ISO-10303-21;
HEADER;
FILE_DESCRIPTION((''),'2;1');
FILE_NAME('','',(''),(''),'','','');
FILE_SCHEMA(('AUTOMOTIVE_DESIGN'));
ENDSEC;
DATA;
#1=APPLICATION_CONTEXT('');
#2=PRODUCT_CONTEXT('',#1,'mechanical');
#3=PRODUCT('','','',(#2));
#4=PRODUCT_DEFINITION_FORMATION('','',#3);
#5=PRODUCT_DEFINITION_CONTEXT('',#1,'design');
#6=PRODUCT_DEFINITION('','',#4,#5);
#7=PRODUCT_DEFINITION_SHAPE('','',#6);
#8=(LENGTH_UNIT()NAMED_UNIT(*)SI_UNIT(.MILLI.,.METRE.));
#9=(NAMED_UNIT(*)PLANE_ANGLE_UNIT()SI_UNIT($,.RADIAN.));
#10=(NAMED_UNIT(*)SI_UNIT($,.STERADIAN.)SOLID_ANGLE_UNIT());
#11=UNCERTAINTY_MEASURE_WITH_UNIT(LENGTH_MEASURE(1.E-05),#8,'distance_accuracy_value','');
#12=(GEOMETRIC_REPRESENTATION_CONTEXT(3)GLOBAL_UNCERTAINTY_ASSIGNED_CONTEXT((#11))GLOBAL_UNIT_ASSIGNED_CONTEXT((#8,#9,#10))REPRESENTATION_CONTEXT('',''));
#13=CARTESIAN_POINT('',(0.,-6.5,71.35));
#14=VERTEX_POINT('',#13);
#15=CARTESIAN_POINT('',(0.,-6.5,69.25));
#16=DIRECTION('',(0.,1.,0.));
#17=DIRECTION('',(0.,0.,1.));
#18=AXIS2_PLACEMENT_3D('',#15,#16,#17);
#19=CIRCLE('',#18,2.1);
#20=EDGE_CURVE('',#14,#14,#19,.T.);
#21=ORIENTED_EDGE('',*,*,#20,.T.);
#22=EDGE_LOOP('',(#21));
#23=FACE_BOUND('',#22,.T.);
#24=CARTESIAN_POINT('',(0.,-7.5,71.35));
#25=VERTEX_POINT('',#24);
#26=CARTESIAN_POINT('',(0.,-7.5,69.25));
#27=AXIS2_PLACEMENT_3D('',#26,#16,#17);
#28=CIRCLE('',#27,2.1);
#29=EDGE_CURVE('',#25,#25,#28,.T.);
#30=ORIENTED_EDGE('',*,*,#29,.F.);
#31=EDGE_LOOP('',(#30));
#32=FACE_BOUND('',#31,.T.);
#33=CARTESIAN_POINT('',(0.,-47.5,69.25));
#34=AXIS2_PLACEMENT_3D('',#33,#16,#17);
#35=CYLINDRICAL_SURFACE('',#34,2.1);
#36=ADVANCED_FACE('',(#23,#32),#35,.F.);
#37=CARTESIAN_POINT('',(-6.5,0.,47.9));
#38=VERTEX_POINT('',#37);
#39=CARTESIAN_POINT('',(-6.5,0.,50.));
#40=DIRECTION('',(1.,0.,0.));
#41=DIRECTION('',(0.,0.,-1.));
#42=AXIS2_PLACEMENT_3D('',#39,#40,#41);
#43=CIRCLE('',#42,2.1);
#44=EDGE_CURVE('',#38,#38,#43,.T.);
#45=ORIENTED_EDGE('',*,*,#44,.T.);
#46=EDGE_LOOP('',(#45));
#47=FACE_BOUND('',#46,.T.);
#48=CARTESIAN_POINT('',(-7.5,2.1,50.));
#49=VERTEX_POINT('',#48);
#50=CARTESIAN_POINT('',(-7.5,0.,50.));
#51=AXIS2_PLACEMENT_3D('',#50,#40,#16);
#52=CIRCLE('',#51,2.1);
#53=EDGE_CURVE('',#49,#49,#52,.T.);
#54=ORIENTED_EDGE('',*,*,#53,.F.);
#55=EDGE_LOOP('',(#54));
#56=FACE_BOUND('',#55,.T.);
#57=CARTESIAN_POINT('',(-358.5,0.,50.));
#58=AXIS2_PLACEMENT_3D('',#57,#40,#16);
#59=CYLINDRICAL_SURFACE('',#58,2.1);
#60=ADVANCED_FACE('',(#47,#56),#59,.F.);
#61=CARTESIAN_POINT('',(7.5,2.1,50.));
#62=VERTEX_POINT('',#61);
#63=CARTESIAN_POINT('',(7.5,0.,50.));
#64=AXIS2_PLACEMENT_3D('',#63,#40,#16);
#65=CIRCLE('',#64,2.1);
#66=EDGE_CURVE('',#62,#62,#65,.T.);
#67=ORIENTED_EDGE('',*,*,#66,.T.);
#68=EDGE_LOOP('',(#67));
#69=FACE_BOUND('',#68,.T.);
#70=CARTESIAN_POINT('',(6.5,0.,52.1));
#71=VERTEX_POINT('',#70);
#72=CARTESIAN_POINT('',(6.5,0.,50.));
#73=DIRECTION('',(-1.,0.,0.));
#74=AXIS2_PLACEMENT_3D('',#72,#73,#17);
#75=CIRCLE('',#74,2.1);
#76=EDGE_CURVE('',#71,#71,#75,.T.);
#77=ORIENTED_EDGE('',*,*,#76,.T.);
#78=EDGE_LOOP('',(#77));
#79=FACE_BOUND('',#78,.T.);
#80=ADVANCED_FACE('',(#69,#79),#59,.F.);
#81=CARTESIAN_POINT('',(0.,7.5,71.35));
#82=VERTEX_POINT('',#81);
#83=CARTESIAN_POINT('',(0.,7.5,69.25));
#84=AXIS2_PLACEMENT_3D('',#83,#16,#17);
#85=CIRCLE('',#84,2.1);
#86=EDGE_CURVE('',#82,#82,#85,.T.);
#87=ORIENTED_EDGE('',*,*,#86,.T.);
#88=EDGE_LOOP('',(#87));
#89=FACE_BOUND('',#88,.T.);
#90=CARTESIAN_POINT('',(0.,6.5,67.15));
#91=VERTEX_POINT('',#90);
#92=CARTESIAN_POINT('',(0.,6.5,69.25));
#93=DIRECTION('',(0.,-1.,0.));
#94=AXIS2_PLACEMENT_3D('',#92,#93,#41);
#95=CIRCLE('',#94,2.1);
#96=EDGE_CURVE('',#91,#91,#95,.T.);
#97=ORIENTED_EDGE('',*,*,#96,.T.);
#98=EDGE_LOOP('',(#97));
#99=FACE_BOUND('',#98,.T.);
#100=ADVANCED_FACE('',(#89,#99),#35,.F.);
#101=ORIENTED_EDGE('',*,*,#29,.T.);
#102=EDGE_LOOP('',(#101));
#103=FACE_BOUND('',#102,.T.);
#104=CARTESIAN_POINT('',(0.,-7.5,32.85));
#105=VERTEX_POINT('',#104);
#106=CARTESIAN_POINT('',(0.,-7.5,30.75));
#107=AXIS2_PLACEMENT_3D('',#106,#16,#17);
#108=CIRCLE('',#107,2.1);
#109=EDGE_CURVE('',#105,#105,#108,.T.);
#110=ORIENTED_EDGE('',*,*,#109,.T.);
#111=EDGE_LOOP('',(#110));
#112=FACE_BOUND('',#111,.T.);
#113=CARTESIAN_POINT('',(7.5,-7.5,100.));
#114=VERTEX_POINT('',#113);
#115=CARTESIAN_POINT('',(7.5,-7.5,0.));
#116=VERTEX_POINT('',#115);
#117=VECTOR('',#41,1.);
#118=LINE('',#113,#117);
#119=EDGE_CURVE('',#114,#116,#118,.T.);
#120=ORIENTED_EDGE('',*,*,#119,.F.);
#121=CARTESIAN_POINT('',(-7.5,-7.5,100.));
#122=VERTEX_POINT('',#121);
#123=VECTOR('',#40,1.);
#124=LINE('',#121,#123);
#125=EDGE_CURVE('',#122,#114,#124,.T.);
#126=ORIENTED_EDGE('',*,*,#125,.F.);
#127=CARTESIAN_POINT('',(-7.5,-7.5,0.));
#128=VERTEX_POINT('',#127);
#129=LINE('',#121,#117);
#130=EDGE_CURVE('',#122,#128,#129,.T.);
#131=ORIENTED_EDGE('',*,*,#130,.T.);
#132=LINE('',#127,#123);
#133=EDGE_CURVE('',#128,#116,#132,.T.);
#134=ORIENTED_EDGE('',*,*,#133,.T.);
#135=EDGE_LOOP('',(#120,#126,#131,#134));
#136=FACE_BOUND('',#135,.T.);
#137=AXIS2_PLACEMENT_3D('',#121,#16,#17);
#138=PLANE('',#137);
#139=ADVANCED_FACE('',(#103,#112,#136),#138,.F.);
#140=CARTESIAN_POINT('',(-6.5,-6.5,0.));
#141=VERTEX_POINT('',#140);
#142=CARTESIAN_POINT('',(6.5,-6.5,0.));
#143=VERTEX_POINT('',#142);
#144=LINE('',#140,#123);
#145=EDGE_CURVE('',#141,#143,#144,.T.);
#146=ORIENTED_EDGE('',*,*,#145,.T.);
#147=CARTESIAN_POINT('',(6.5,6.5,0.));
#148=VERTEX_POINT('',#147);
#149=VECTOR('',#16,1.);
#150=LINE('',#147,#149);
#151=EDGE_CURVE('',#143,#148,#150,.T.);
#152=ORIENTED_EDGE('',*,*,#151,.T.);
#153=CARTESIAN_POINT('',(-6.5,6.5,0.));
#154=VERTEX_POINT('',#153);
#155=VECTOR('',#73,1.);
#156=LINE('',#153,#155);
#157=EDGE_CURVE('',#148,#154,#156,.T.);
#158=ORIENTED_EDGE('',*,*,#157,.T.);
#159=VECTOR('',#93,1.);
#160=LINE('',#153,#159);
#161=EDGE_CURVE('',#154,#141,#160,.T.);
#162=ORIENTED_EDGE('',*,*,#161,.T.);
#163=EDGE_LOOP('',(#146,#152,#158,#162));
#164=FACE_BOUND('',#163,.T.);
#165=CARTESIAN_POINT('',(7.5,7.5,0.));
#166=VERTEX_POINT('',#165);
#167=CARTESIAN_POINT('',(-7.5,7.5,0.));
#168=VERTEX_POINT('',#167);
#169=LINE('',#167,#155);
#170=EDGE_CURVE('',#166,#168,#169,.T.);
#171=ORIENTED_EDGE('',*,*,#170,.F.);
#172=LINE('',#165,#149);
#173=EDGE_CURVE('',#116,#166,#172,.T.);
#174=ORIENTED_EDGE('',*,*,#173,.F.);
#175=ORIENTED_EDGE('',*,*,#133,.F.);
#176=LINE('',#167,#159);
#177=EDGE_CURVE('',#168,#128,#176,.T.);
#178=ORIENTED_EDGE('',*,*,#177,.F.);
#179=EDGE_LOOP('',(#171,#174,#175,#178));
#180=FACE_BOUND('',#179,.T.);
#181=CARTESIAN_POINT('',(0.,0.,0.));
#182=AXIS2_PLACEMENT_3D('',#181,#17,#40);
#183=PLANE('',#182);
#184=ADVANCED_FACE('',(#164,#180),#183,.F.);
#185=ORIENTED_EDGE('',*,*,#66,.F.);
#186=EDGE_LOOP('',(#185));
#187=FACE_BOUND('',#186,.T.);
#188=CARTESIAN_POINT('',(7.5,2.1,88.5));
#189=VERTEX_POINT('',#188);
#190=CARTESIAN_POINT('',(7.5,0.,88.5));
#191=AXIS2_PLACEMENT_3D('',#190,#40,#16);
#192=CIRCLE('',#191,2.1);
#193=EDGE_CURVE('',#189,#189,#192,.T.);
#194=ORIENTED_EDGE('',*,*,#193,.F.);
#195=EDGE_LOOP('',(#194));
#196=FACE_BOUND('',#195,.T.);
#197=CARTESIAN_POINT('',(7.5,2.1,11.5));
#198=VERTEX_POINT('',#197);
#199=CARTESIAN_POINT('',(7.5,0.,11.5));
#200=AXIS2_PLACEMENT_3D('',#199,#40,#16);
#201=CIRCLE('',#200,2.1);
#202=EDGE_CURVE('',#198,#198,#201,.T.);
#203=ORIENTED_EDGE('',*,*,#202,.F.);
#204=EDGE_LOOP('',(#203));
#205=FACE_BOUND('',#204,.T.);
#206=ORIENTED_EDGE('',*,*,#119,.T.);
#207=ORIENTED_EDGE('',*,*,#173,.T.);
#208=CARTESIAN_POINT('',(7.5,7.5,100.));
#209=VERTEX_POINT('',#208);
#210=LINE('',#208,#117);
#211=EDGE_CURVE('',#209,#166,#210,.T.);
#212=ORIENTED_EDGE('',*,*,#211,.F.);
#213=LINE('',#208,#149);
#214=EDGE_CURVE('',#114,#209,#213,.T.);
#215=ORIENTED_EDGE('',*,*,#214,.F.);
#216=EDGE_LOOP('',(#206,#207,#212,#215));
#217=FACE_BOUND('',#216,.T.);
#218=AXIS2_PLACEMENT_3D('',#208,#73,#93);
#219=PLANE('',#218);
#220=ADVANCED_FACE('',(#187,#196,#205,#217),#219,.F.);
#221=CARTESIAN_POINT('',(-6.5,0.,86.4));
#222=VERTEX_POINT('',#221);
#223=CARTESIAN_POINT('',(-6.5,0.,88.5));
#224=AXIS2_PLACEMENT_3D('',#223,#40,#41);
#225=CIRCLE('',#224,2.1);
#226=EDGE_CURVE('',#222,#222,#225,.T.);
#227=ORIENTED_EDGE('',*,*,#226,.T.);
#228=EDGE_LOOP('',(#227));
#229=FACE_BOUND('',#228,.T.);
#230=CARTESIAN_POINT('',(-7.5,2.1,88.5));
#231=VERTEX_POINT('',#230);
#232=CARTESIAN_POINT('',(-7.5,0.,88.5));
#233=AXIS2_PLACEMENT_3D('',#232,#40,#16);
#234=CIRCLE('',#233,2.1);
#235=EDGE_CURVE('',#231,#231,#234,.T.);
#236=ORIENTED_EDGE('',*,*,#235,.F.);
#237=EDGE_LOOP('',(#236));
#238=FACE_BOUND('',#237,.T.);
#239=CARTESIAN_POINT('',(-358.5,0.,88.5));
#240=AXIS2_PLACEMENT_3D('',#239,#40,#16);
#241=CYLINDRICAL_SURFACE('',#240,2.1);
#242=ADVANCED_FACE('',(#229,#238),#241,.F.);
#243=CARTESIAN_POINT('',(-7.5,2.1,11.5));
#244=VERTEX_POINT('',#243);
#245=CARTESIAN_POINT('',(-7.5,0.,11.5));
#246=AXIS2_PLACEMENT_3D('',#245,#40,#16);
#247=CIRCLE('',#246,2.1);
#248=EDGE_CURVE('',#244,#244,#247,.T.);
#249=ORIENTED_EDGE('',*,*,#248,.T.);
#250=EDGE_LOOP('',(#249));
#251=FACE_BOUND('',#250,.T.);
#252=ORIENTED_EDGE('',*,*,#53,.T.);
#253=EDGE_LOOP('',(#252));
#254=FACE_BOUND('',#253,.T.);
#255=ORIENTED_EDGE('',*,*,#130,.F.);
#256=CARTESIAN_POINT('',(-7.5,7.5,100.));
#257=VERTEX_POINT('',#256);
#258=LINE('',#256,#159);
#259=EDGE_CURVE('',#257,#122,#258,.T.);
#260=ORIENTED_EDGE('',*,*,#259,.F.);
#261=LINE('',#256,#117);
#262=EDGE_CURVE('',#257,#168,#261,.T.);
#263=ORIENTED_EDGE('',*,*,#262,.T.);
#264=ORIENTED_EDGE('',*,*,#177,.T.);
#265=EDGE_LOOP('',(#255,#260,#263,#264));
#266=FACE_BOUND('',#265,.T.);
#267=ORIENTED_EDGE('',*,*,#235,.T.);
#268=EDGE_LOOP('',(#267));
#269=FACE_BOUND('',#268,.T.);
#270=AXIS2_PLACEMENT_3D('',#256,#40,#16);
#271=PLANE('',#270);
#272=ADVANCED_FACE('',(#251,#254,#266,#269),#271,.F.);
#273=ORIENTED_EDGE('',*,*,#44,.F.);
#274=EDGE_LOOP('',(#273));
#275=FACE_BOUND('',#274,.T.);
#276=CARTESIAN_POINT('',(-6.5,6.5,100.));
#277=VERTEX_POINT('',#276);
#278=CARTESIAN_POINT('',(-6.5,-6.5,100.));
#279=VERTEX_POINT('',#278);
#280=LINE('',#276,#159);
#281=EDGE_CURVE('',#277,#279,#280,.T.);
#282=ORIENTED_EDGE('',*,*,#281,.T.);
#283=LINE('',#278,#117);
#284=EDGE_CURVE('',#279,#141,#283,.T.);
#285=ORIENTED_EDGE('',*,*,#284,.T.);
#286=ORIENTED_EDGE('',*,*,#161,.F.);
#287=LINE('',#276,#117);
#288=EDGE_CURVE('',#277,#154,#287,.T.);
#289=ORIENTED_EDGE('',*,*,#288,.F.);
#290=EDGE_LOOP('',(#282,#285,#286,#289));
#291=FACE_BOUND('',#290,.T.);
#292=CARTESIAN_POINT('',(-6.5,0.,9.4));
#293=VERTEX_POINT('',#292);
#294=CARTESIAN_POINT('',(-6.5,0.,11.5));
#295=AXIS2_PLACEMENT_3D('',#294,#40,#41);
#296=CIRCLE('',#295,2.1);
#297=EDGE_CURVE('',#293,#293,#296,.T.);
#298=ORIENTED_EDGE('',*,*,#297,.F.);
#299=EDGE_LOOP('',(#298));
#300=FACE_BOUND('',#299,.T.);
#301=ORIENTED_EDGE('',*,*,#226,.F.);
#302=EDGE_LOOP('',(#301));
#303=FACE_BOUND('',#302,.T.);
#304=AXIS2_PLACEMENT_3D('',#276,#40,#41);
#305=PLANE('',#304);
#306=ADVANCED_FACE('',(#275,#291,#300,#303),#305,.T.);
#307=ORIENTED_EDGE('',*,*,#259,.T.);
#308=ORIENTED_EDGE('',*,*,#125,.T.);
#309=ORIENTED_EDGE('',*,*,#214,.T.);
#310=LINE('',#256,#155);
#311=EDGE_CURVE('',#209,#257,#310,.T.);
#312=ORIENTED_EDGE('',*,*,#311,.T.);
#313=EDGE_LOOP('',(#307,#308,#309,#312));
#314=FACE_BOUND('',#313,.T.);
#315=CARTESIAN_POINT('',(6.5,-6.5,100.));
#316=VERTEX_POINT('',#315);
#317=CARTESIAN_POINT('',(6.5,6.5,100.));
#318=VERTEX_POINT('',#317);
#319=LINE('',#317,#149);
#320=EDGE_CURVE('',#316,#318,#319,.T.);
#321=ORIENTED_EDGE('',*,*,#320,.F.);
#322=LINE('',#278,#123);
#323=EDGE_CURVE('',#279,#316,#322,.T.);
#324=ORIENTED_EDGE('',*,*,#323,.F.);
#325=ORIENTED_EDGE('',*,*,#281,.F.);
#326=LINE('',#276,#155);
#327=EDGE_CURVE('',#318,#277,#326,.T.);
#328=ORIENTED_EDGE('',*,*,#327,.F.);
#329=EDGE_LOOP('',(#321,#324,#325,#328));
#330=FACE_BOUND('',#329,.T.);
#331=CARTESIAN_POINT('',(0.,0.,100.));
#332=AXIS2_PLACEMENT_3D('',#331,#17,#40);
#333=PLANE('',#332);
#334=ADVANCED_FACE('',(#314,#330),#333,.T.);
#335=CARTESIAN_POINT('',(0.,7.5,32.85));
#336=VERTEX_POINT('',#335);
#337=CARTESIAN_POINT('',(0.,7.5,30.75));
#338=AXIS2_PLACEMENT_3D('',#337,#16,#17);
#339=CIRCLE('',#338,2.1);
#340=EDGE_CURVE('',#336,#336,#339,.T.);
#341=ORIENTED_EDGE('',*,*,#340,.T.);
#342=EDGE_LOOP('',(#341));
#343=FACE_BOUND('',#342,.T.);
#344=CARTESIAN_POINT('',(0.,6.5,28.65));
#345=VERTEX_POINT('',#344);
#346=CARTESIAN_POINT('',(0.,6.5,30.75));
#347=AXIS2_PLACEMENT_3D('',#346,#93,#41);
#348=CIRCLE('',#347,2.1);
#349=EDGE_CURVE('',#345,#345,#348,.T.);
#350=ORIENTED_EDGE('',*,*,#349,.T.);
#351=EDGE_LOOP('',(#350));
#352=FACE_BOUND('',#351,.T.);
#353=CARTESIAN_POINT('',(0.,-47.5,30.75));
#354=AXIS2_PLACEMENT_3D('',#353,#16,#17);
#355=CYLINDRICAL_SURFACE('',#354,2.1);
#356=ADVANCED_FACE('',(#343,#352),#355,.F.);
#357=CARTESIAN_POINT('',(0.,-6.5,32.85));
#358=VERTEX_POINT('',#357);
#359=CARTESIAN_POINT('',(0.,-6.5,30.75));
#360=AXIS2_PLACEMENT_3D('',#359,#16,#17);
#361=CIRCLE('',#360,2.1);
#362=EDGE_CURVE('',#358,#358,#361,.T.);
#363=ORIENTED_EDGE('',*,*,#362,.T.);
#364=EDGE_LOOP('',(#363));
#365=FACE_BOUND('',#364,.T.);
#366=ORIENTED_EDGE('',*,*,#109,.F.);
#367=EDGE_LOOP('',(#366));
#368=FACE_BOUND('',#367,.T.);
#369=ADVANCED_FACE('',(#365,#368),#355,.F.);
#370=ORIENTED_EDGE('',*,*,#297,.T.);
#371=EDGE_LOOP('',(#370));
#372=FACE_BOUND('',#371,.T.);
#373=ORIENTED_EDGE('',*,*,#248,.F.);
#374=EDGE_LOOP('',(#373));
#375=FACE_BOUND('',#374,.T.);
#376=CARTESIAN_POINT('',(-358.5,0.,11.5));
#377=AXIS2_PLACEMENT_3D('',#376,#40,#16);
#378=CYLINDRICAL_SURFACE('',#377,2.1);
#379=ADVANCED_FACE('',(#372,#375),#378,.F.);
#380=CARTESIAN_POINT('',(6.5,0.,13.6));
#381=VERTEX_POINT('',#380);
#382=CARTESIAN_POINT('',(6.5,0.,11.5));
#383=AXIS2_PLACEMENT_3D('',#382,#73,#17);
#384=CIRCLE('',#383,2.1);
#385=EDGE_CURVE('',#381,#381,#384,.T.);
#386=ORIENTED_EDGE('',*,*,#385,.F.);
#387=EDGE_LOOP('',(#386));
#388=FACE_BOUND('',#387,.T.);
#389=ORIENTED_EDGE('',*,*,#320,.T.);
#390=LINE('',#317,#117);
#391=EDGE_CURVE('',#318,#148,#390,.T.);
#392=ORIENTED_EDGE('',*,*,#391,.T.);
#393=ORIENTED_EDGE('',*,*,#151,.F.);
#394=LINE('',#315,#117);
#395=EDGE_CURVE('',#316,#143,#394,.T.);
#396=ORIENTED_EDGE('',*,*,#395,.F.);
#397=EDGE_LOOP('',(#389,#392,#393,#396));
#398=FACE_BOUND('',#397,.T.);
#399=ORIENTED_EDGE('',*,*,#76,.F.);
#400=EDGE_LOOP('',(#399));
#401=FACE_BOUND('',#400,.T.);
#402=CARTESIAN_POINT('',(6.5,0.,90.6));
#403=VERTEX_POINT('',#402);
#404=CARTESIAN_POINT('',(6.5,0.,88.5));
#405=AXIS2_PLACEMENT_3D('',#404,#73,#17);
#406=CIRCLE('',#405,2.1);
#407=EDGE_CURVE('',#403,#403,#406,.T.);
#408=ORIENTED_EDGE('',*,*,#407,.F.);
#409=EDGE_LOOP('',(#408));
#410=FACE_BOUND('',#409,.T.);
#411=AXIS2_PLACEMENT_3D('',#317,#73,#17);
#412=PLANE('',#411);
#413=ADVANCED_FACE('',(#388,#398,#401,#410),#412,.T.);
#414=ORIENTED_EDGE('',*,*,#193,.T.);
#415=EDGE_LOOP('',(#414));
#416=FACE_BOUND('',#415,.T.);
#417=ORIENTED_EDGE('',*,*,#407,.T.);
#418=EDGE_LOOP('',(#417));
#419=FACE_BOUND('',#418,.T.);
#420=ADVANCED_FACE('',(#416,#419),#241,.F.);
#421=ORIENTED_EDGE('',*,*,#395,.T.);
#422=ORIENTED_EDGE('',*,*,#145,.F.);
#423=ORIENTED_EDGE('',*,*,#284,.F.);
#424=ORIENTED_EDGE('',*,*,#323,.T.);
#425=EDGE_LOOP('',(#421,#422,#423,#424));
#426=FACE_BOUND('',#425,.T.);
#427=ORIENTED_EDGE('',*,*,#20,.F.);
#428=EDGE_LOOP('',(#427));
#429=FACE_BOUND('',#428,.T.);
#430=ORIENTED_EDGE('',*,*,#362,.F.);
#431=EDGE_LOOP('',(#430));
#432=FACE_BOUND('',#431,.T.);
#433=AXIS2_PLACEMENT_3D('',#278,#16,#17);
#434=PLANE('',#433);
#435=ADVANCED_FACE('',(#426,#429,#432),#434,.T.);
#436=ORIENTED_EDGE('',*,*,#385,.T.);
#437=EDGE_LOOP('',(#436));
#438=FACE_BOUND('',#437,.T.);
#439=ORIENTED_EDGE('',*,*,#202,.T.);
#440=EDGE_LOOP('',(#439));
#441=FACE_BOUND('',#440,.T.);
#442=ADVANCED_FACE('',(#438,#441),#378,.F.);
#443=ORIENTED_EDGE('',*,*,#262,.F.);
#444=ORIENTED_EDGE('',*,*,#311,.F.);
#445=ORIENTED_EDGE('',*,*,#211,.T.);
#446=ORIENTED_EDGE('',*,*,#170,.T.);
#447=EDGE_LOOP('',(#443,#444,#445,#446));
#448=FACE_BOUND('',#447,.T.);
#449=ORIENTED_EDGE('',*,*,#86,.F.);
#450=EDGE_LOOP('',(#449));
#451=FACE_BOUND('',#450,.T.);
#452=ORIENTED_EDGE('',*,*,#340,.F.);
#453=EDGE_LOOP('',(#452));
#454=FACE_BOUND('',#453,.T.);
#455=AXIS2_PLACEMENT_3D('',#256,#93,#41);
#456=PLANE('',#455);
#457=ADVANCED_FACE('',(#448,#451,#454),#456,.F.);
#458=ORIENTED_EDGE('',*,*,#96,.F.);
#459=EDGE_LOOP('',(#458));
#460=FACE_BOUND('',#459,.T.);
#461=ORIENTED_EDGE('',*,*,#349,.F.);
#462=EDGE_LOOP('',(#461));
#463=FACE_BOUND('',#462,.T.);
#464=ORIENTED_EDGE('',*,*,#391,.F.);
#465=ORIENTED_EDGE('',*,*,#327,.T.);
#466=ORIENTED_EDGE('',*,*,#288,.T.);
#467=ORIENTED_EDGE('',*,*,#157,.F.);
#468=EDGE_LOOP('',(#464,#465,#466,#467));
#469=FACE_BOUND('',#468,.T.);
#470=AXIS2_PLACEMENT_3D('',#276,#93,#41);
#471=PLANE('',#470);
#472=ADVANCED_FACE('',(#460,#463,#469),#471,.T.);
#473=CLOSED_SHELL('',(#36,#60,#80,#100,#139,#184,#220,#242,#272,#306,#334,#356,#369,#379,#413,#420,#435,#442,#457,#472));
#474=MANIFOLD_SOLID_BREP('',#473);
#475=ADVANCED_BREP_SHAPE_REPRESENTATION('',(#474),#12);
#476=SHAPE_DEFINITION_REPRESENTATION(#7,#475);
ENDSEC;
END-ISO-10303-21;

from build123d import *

# Parameters (mm, degrees)
SKETCH_1_W          = 15
SKETCH_1_H          = 15
SKETCH_1_W_2        = 13
SKETCH_1_H_2        = 13
EXTRUDE_1_DEPTH     = 100
SKETCH_2_R          = 2.1
CUT_EXTRUDE_1_DEPTH = 366
SKETCH_3_R          = 2.1
CUT_EXTRUDE_2_DEPTH = 55


with BuildPart() as part:
    # 草图1 → 凸台-拉伸1 (new body)
    with BuildSketch(Plane.XY):
        Rectangle(SKETCH_1_W, SKETCH_1_H)
        Rectangle(SKETCH_1_W_2, SKETCH_1_H_2, mode=Mode.SUBTRACT)
    extrude(amount=EXTRUDE_1_DEPTH)

    # 草图2 → 切除-拉伸1 (cut)
    with BuildSketch(Plane(origin=(7.5, 0, 0), x_dir=(0, 0, -1), z_dir=(1, 0, 0))):
        with Locations(Location((-50, 0, 0), (0, 0, 90))):
            Circle(SKETCH_2_R)
        with Locations(Location((-88.5, 0, 0), (0, 0, 90))):
            Circle(SKETCH_2_R)
        with Locations(Location((-11.5, 0, 0), (0, 0, 90))):
            Circle(SKETCH_2_R)
    extrude(amount=-CUT_EXTRUDE_1_DEPTH, mode=Mode.SUBTRACT)

    # 草图3 → 切除-拉伸2 (cut)
    with BuildSketch(Plane(origin=(0, 7.5, 0), x_dir=(1, 0, 0), z_dir=(0, 1, 0))):
        with Locations(Location((0, -30.75, 0), (0, 0, 270))):
            Circle(SKETCH_3_R)
        with Locations(Location((0, -69.25, 0), (0, 0, 270))):
            Circle(SKETCH_3_R)
    extrude(amount=-CUT_EXTRUDE_2_DEPTH, mode=Mode.SUBTRACT)


solid = part.part
